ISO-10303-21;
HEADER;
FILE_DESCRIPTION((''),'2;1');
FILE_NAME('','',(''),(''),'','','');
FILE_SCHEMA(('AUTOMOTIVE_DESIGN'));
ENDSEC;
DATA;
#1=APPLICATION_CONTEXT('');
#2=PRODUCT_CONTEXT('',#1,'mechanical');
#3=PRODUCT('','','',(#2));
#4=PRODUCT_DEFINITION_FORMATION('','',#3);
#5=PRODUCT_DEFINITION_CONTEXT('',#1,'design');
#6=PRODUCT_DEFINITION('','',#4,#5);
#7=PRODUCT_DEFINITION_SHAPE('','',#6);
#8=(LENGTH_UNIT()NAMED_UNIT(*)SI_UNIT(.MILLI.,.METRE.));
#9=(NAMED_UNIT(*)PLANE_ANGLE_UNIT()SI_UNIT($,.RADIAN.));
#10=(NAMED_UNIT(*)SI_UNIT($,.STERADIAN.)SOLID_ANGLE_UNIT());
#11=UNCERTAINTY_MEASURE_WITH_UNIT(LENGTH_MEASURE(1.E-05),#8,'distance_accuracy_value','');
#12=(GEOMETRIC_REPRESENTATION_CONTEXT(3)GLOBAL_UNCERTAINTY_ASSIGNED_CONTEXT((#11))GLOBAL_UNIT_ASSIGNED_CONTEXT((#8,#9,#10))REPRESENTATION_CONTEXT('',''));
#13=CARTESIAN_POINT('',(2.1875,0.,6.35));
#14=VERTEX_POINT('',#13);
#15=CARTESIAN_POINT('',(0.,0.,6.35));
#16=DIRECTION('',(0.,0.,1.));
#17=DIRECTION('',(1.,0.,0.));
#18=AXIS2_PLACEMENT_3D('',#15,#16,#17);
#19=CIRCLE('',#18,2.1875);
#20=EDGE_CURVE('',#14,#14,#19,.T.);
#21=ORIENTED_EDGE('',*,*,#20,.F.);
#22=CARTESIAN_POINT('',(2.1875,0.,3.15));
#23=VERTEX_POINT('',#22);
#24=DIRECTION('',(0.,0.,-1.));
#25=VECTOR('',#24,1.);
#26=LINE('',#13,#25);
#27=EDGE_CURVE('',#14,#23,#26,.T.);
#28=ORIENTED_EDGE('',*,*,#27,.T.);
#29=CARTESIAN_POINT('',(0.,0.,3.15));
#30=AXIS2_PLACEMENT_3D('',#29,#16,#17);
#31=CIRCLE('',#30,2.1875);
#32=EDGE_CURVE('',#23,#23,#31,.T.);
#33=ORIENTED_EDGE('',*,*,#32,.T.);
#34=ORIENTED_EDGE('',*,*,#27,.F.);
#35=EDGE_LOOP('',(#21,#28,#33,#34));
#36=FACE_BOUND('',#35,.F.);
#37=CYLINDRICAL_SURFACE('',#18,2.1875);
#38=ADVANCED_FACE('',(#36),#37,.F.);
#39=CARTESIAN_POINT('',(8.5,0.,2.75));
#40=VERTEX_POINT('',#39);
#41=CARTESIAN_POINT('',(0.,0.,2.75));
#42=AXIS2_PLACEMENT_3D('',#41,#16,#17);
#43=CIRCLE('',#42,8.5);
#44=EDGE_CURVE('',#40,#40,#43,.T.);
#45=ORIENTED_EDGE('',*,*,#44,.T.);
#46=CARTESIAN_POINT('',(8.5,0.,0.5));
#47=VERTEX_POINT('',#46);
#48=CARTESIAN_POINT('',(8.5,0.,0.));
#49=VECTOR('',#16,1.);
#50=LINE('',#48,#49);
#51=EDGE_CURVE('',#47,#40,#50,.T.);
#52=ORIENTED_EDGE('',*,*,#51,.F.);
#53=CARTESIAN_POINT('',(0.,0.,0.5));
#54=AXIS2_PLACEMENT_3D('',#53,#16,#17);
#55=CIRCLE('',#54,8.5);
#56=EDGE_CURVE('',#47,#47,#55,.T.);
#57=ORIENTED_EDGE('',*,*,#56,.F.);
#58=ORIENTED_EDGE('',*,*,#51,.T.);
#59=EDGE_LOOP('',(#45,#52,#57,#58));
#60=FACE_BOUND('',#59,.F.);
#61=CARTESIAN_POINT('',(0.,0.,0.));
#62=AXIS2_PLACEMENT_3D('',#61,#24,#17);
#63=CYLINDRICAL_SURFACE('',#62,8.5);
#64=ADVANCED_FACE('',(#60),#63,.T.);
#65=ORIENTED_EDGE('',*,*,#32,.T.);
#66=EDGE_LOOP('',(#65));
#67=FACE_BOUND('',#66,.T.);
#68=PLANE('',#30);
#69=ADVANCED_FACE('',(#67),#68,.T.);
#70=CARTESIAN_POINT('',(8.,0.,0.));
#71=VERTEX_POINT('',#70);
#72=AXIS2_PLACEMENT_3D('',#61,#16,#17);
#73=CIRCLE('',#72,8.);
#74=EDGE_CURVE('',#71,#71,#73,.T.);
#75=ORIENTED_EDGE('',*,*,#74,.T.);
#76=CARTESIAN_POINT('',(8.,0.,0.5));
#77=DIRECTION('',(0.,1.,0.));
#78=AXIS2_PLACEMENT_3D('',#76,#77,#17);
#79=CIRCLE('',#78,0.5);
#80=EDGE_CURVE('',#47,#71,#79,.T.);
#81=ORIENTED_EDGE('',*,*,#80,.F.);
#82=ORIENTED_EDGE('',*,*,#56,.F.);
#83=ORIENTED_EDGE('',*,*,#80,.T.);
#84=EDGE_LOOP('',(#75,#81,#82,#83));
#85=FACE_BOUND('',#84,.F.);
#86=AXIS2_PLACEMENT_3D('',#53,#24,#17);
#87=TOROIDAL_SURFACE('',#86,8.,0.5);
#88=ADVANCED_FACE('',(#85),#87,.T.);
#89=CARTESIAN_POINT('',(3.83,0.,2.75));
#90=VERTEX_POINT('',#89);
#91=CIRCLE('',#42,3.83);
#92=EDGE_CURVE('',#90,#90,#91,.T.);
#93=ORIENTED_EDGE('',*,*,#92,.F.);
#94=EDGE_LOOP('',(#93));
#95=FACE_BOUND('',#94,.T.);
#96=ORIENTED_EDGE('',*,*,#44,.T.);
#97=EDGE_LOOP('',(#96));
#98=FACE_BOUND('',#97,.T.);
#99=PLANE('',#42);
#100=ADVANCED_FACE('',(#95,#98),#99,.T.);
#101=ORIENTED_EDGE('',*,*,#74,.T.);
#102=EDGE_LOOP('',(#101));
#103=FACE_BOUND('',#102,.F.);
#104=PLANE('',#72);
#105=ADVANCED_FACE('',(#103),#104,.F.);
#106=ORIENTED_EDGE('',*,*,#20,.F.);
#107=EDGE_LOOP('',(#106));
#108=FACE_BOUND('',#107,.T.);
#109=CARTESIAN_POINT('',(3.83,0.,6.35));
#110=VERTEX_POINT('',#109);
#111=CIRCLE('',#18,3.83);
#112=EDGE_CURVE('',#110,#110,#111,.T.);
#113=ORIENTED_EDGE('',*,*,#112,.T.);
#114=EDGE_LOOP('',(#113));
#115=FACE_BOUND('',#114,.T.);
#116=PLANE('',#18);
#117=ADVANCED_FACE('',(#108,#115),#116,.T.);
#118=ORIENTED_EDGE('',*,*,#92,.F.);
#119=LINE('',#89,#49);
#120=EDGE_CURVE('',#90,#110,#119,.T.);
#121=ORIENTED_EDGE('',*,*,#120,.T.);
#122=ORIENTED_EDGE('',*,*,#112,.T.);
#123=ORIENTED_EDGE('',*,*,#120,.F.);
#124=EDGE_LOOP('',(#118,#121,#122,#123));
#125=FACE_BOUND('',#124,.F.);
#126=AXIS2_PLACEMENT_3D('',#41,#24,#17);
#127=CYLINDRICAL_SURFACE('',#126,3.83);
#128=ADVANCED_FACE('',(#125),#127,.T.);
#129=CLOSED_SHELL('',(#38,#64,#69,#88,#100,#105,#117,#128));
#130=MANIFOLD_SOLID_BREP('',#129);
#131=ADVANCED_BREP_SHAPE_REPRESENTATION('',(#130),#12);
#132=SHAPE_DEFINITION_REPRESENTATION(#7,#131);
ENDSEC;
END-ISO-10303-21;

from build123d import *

# Parameters (mm, degrees)
F0_R     = 8.5
F1_DEPTH = 2.75
F2_R     = 3.83
F3_DEPTH = 3.6
F4_R     = 2.1875
F5_DEPTH = 3.2
F6_R     = 0.5


with BuildPart() as f1:
    # F0 (on Top) → F1 (new body)
    with BuildSketch(Plane.XY):
        Circle(F0_R)
    extrude(amount=F1_DEPTH)

    # F2 (on face) → F3 (join)
    with BuildSketch(Plane.XY.offset(2.75)):
        Circle(F2_R)
    extrude(amount=F3_DEPTH)

    # F4 (on face) → F5 (cut)
    with BuildSketch(Plane.XY.offset(6.35)):
        Circle(F4_R)
    extrude(amount=-F5_DEPTH, mode=Mode.SUBTRACT)

    # F6
    f6_edges = [f1.edges().sort_by_distance(p)[0] for p in [
        (-8.5, 0, 0),
    ]]
    fillet(f6_edges, radius=F6_R)


solid = f1.part
